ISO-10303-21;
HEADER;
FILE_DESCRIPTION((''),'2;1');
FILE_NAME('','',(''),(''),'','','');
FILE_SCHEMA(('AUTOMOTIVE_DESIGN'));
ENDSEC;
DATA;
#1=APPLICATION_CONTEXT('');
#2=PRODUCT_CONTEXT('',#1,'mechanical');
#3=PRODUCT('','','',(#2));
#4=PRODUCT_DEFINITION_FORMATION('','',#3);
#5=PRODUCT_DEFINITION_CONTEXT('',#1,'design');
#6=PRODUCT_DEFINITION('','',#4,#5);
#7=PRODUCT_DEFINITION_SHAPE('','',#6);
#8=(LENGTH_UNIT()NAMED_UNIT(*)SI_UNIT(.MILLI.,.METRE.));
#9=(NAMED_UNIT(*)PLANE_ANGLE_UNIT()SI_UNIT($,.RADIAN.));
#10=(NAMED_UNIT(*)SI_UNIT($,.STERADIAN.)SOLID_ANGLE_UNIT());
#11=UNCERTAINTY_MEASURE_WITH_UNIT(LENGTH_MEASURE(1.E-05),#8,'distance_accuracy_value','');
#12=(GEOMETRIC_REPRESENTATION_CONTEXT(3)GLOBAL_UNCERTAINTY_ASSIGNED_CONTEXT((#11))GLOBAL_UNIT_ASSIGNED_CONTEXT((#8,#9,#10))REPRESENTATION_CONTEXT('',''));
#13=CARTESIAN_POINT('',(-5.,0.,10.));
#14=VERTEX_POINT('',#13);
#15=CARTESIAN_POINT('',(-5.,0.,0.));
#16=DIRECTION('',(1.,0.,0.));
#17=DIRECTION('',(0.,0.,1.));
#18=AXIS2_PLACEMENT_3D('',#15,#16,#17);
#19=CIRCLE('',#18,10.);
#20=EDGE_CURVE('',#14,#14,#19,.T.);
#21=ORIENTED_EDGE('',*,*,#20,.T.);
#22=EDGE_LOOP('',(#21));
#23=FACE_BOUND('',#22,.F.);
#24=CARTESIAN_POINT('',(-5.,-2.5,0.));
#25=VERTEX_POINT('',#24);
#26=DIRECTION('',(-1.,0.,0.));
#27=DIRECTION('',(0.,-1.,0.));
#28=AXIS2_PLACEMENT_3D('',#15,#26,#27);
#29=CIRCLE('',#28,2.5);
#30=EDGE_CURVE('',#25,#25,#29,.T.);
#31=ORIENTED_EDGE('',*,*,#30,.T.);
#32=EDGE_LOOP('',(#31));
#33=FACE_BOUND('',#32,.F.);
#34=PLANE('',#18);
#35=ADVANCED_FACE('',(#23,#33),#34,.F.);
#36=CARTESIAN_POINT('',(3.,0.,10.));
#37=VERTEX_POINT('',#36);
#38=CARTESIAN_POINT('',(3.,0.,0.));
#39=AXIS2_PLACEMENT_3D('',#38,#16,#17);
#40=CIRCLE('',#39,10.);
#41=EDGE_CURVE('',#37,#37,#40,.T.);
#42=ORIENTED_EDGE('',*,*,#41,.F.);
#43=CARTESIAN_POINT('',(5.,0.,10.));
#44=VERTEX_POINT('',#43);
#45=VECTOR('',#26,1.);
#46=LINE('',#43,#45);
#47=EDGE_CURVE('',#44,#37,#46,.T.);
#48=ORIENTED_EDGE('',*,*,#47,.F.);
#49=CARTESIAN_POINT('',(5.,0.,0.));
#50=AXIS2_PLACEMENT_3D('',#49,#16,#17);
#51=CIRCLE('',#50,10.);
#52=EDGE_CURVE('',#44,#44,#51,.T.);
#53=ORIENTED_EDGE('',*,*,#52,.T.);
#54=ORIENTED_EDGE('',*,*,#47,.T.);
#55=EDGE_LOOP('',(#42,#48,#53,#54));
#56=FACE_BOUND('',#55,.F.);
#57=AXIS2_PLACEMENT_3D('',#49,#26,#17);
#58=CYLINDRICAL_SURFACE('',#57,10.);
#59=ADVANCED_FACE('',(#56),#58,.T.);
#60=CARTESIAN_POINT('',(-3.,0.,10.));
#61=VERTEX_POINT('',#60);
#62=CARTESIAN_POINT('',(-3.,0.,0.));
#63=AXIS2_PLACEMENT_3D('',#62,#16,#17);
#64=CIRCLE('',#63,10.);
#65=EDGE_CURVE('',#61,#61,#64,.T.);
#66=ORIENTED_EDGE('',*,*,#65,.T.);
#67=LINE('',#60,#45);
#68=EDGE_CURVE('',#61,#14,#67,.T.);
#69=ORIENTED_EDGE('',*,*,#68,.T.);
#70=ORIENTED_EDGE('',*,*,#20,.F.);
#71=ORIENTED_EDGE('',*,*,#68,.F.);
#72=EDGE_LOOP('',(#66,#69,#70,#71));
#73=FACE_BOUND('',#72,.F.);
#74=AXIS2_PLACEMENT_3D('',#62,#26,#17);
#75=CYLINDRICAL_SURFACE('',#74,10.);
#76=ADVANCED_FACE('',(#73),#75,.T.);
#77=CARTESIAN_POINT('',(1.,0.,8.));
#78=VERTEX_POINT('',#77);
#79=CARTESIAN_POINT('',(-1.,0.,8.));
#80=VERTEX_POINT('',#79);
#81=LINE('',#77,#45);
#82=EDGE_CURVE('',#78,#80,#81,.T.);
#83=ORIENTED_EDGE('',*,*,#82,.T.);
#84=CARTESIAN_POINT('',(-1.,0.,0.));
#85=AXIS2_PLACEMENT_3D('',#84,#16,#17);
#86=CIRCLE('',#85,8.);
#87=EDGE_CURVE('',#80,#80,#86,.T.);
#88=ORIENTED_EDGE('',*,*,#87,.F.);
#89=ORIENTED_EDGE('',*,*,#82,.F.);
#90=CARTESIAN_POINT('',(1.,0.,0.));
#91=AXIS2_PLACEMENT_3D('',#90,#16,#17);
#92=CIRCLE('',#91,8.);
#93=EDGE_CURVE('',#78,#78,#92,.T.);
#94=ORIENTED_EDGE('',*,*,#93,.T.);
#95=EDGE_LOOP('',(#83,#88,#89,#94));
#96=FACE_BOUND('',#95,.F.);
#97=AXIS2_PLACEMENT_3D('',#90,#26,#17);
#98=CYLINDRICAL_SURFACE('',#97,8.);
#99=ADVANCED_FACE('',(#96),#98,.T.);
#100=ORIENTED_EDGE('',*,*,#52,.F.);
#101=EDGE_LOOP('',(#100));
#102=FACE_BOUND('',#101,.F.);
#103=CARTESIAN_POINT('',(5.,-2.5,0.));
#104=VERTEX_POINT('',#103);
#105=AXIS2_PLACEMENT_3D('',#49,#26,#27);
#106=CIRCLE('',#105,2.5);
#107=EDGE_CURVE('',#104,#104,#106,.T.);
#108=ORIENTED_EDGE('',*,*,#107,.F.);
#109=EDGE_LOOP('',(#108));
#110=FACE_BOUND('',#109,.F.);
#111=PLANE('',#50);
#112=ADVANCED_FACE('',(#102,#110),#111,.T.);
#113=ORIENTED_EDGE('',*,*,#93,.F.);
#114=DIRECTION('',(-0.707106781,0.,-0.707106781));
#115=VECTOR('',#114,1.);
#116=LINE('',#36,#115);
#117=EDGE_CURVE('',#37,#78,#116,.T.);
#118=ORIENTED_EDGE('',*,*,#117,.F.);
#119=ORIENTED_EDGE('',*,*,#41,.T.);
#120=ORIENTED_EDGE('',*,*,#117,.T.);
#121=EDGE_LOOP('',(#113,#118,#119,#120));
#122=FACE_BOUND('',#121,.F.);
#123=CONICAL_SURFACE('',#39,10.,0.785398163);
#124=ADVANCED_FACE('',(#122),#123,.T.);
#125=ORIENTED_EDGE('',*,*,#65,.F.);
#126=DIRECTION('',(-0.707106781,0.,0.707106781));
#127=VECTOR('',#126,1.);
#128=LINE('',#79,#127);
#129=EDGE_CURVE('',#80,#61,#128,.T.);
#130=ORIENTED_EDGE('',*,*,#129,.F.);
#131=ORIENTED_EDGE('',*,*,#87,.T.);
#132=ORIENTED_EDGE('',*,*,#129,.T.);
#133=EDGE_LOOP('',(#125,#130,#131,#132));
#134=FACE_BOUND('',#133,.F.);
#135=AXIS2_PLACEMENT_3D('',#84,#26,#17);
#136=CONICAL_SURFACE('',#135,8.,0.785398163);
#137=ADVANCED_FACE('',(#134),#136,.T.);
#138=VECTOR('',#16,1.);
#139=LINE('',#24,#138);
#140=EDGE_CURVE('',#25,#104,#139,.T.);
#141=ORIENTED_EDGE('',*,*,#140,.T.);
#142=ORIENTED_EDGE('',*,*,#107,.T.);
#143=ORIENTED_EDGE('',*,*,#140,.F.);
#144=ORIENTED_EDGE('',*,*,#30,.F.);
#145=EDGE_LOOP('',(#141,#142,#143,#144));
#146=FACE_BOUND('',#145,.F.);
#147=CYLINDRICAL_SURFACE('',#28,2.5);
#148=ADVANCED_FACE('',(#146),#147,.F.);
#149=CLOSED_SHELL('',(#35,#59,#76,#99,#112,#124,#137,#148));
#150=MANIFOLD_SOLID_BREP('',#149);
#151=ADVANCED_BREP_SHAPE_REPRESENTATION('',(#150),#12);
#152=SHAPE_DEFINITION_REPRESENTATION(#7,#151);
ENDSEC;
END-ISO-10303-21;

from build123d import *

# Parameters (mm, degrees)
F2_R     = 2.5
F3_DEPTH = 10


with BuildPart() as f1:
    # F0 (on Front) → F1 (revolve)
    with BuildSketch(Plane.XZ):
        Polygon((3, 10), (1, 8), (-1, 8), (-3, 10), (-5, 10), (-5, 0), (5, 0), (5, 10), align=None)
    revolve(axis=Axis((0, 0, 0), (1, 0, 0)))

    # F2 (on face) → F3 (cut, through all)
    with BuildSketch(Plane(origin=(-5, 0, 0), x_dir=(0, -1, 0), z_dir=(-1, 0, 0))):
        Circle(F2_R)
    extrude(amount=-F3_DEPTH, mode=Mode.SUBTRACT)


solid = f1.part
